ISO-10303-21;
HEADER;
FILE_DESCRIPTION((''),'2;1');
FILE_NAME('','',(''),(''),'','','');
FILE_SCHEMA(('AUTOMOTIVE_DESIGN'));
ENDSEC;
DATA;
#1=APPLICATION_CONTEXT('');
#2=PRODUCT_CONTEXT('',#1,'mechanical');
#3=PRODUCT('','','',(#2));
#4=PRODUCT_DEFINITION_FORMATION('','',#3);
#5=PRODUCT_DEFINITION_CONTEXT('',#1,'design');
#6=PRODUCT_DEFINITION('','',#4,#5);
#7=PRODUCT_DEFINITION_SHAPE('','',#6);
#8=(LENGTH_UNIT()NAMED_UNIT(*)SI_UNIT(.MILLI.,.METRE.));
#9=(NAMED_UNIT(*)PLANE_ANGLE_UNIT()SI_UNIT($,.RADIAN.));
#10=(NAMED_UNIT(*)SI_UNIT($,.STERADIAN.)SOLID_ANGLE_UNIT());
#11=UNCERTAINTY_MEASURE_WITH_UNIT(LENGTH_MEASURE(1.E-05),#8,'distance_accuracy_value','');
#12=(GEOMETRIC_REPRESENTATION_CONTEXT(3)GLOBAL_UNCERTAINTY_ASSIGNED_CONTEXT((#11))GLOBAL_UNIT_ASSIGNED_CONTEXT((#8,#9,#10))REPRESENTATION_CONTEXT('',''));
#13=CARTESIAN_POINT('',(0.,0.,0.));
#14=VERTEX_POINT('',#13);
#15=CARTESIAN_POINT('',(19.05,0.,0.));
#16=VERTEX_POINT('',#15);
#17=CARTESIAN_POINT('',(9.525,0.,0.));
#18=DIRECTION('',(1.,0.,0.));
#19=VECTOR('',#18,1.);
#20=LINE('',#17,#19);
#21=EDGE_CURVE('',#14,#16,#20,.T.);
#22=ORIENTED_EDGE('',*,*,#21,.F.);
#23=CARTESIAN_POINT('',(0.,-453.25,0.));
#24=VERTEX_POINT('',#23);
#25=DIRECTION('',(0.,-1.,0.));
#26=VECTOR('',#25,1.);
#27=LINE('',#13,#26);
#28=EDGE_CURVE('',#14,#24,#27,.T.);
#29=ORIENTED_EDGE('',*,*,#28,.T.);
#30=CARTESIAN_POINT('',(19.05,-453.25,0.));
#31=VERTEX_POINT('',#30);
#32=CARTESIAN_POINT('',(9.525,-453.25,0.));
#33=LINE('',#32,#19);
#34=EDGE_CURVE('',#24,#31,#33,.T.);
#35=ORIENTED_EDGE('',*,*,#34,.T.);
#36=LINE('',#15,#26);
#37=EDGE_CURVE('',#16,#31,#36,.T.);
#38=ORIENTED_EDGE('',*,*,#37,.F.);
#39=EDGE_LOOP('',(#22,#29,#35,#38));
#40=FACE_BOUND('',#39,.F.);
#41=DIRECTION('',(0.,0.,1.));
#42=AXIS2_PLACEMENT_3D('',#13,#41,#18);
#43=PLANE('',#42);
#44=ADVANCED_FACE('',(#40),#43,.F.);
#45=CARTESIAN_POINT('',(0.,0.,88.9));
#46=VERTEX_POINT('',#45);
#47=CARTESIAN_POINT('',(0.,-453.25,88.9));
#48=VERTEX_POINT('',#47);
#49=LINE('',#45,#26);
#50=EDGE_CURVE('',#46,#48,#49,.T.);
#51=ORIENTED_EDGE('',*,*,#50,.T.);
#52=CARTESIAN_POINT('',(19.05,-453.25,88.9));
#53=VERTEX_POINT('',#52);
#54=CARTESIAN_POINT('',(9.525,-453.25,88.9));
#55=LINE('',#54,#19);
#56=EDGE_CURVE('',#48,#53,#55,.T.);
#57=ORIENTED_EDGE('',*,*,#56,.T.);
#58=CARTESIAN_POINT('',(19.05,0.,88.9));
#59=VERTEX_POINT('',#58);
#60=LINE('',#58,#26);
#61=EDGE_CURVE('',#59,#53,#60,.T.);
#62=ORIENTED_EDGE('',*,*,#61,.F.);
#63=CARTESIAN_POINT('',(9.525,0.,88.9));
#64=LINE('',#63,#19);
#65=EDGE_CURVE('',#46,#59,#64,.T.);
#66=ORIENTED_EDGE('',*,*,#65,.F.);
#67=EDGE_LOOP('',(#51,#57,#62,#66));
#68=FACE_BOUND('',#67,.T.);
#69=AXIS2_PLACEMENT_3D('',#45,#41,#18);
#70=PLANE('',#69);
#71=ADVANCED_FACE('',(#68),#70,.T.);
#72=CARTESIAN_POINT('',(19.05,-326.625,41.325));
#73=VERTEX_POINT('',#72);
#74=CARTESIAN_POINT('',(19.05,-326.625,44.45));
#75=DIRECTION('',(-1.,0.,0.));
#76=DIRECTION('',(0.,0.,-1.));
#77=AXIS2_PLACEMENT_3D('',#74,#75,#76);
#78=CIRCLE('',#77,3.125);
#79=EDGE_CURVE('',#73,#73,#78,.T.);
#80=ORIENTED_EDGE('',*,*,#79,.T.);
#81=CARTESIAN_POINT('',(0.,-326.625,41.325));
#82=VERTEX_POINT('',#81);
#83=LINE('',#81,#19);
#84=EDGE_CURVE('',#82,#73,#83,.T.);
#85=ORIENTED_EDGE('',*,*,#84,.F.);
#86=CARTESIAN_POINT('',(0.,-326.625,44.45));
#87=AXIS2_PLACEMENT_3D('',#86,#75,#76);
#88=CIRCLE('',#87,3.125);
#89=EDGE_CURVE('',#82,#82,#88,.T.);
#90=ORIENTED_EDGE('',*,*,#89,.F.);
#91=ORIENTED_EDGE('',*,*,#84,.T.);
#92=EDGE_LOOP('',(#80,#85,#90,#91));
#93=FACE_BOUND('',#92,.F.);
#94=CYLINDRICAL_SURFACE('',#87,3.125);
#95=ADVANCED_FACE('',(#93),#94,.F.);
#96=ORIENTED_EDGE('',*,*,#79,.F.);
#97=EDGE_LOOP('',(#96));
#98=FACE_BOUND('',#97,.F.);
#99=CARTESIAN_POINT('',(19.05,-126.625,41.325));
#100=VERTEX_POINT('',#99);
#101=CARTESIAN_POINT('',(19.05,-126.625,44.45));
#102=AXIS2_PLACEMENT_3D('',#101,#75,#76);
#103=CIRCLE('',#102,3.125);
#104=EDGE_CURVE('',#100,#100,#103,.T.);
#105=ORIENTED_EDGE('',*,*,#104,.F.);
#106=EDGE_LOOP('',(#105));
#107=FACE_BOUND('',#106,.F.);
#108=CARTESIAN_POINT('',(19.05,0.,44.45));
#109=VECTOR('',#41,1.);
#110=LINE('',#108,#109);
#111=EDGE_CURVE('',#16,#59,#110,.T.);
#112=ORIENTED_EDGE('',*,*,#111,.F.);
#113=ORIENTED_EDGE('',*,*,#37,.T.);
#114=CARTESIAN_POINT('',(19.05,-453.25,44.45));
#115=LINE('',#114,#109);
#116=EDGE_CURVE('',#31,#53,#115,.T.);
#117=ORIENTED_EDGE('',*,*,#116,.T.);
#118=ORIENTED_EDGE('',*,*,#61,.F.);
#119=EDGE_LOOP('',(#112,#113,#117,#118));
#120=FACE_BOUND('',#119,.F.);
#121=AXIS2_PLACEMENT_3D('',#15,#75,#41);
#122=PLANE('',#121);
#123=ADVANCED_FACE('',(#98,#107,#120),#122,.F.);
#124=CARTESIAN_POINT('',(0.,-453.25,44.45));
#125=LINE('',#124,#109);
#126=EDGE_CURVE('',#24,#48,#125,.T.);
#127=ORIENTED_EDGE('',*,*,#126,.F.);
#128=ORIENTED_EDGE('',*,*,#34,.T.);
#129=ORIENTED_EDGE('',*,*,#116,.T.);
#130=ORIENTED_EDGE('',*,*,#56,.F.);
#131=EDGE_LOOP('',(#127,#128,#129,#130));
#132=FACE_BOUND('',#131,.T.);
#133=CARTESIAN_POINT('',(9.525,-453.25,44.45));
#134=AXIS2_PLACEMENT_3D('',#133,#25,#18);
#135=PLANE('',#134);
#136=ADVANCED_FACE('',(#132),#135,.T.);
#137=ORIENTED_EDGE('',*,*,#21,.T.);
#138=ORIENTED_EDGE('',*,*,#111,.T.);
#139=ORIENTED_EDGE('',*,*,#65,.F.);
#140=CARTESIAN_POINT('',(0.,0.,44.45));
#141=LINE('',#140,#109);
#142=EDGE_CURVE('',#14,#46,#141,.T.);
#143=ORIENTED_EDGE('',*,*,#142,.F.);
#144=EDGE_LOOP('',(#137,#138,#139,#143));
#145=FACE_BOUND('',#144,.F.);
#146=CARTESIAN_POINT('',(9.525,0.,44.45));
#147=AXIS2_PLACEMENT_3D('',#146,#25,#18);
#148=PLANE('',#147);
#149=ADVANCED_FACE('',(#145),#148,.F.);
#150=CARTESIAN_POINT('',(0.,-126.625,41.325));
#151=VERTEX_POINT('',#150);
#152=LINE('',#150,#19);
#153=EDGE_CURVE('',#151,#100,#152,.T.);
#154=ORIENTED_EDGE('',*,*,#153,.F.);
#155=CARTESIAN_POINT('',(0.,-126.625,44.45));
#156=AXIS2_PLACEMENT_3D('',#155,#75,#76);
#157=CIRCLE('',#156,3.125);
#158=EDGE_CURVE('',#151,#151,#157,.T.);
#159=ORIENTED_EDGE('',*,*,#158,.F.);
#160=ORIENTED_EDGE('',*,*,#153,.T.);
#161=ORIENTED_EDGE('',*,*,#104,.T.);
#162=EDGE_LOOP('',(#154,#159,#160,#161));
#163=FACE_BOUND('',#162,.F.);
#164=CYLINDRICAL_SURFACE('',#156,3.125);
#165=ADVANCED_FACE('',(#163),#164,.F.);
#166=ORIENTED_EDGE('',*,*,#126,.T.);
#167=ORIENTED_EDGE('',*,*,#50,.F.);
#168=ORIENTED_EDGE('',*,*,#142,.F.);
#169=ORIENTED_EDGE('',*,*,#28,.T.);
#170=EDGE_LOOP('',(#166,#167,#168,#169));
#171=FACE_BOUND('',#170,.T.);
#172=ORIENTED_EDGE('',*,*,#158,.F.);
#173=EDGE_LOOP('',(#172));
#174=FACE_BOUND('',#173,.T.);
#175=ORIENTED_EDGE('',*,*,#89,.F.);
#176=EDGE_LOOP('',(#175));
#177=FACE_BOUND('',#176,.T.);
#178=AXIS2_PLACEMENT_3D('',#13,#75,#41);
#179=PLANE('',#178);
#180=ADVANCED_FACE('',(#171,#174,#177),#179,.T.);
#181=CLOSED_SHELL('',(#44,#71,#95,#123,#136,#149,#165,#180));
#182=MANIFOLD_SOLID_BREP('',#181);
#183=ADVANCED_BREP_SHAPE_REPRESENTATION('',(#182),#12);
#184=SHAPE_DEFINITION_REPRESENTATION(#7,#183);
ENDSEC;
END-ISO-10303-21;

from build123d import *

# Parameters (mm, degrees)
SKETCH_W     = 19.05
SKETCH_H     = 88.9
PAD_DEPTH    = 453.25
SKETCH001_R  = 3.125
POCKET_DEPTH = 19.051


with BuildPart() as part:
    # Sketch → Pad (new body)
    with BuildSketch(Plane.XZ):
        with Locations((9.525, 44.45)):
            Rectangle(SKETCH_W, SKETCH_H)
    extrude(amount=PAD_DEPTH)

    # Sketch001 (on Face4 of Pad) → Pocket (cut, through all)
    with BuildSketch(Plane(origin=(0, 0, 0), x_dir=(0, 0, -1), z_dir=(-1, 0, 0))):
        with Locations((-44.45, 126.625)):
            Circle(SKETCH001_R)
        with Locations((-44.45, 326.625)):
            Circle(SKETCH001_R)
    extrude(amount=-POCKET_DEPTH, mode=Mode.SUBTRACT)


solid = part.part
